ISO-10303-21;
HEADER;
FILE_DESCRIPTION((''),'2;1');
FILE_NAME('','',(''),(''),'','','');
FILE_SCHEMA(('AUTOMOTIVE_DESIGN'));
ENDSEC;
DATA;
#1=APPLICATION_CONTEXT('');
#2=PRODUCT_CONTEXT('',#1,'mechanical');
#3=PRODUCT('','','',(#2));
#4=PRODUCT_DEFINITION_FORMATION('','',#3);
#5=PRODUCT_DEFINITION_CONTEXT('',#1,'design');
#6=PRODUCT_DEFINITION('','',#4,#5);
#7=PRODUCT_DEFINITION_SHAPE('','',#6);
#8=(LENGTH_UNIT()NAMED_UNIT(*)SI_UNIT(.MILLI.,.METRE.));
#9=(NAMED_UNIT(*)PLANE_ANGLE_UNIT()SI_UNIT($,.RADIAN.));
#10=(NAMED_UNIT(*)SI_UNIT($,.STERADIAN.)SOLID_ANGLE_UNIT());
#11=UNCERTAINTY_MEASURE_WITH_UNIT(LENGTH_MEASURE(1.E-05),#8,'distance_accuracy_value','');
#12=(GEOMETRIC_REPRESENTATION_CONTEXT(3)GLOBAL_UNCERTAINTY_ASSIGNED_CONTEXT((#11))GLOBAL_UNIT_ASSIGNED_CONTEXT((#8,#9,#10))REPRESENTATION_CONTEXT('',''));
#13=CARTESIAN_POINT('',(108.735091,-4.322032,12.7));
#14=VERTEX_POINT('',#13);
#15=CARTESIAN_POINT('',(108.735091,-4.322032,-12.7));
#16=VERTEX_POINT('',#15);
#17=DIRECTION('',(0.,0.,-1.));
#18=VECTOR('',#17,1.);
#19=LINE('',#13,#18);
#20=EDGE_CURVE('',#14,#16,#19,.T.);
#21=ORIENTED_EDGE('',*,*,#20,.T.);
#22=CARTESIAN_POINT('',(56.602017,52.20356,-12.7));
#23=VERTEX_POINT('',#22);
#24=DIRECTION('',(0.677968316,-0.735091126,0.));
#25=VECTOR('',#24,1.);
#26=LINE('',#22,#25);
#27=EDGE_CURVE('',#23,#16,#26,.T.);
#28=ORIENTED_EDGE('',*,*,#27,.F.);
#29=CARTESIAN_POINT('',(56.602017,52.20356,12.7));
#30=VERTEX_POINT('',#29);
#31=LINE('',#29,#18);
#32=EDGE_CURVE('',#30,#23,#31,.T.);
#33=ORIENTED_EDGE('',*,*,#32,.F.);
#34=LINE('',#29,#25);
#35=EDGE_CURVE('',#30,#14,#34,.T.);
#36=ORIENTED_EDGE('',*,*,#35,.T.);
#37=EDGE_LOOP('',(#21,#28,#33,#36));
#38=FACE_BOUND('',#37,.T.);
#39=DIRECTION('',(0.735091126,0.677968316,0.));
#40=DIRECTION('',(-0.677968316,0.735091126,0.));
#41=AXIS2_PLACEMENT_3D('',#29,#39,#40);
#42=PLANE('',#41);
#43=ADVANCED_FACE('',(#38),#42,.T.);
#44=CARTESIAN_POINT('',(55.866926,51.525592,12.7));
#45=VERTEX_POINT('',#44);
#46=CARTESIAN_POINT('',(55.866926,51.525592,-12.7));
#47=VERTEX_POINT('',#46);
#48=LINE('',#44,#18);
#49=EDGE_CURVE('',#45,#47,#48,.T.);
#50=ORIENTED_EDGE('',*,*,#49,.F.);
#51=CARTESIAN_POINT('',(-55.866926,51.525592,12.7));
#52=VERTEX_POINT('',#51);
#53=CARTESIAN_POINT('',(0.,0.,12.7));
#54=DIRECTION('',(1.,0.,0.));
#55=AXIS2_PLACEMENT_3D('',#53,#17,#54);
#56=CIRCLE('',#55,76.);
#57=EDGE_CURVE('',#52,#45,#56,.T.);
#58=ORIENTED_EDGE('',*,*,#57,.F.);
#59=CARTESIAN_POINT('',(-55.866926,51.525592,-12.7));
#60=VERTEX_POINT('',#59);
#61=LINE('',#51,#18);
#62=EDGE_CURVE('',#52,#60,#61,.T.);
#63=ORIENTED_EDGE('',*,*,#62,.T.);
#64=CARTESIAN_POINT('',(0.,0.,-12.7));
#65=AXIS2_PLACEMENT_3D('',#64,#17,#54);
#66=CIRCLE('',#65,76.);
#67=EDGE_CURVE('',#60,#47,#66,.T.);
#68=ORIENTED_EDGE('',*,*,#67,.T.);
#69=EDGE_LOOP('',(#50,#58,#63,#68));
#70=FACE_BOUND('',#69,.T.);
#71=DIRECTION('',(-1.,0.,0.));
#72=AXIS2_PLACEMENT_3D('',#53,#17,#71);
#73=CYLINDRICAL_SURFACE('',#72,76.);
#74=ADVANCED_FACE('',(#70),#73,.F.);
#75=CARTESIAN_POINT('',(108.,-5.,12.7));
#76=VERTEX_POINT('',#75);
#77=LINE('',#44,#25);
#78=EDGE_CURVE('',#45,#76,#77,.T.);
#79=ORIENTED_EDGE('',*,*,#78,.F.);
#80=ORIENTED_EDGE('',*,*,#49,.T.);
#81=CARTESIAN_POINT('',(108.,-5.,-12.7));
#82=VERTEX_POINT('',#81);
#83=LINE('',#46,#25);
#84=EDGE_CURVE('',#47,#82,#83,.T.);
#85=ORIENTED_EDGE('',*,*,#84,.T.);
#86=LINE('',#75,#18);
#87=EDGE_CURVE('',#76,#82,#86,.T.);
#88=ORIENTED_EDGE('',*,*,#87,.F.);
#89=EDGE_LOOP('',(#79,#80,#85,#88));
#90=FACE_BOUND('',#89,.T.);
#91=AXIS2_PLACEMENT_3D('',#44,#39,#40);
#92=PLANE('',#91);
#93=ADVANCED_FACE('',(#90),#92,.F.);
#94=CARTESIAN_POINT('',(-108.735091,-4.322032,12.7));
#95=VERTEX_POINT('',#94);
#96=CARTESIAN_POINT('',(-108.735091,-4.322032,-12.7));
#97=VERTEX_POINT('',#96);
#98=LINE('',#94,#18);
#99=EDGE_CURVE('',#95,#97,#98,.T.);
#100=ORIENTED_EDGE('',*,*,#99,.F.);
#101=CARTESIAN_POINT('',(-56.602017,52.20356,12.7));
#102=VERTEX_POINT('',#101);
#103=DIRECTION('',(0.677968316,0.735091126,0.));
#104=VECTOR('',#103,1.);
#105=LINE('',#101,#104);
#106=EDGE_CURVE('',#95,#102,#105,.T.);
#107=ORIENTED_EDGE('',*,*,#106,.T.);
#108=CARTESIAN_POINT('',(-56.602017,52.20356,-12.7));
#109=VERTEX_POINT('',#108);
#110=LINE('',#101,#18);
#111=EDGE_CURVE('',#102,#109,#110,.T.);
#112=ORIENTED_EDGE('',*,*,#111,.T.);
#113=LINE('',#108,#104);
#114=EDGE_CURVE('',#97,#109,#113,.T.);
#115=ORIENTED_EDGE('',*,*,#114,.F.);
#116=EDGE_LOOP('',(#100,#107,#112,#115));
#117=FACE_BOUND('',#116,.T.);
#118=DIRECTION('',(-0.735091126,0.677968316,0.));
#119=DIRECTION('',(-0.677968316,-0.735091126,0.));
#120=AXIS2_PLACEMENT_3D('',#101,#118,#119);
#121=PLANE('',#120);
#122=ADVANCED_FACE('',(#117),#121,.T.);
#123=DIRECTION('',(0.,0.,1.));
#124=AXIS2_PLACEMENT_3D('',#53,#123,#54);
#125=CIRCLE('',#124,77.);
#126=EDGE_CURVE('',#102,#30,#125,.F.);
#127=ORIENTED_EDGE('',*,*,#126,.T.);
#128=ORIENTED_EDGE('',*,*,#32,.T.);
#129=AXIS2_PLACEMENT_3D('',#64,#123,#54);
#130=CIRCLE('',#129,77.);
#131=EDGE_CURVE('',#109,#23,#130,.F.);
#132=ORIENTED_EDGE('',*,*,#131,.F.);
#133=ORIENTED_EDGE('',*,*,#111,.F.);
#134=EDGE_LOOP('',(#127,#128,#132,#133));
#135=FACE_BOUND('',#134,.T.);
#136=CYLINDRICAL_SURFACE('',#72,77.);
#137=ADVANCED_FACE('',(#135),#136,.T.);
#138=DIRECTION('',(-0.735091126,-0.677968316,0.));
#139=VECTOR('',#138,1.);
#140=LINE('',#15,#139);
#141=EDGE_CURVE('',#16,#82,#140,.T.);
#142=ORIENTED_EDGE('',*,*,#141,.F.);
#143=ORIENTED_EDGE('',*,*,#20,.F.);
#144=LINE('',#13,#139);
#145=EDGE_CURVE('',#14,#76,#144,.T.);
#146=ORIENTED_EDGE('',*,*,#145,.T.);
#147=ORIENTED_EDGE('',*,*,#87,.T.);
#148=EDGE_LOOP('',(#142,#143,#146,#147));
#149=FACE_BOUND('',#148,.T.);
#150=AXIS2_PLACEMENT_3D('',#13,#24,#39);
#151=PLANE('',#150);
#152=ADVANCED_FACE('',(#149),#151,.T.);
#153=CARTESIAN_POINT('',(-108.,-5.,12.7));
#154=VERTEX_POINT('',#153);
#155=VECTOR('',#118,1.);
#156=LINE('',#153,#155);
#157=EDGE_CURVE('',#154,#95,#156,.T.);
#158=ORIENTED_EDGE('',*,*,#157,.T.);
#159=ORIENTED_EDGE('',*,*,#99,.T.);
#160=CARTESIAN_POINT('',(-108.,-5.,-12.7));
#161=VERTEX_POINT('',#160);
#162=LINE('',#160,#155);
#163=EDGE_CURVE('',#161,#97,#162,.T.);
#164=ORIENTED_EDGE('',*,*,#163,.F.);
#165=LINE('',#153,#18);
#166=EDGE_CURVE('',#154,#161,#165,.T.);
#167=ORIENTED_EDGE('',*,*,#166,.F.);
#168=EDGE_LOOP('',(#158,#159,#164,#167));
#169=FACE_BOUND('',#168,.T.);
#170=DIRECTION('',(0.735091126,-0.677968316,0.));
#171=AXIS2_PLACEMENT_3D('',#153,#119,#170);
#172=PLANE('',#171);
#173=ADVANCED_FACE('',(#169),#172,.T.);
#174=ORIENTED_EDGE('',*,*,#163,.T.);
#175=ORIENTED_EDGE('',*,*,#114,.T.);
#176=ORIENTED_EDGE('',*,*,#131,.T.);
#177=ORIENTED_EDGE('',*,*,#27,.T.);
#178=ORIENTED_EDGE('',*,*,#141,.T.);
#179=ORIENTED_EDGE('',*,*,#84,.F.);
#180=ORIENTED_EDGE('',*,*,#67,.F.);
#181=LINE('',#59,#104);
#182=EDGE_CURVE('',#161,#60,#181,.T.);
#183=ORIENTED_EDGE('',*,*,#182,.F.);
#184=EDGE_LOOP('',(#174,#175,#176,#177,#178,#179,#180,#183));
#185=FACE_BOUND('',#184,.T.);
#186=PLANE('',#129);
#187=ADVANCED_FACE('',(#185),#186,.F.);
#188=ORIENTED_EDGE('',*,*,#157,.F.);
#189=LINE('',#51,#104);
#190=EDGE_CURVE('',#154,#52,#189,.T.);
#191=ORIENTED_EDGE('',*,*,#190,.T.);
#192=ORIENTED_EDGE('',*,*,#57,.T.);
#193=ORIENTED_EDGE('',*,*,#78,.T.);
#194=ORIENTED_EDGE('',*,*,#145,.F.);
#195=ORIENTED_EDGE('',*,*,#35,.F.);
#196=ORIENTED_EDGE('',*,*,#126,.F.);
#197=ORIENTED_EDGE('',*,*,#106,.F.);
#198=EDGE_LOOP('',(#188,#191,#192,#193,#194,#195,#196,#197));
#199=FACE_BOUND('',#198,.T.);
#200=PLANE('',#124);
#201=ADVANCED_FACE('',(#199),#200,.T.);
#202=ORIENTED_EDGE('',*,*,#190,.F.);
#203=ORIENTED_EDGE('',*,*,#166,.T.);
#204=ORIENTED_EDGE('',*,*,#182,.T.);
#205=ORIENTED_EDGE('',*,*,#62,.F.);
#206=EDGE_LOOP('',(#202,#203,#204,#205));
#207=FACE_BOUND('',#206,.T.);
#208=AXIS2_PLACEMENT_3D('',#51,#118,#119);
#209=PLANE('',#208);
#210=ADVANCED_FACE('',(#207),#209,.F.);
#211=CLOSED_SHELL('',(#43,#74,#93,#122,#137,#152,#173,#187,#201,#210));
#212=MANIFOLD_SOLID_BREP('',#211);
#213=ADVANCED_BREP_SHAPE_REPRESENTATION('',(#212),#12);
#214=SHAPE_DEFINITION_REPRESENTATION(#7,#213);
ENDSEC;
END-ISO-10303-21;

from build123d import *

# Parameters (mm, degrees)
EXTRUDE_THIN1_DEPTH = 12.7


with BuildPart() as part:
    # Sketch1 → Extrude-Thin1 (new body, symmetric)
    with BuildSketch(Plane.XY):
        with BuildLine():
            Line((108, -5), (55.866925555, 51.525591982))
            ThreePointArc((55.866925555, 51.525591982), (0, 76), (-55.866925555, 51.525591982))
            Line((-55.866925555, 51.525591982), (-108, -5))
            Line((-108, -5), (-108.735091126, -4.322031684))
            Line((-108.735091126, -4.322031684), (-56.60201668, 52.203560297))
            ThreePointArc((-56.60201668, 52.203560297), (0, 77), (56.60201668, 52.203560297))
            Line((56.60201668, 52.203560297), (108.735091126, -4.322031684))
            Line((108.735091126, -4.322031684), (108, -5))
        make_face()
    extrude(amount=EXTRUDE_THIN1_DEPTH, both=True)


solid = part.part
